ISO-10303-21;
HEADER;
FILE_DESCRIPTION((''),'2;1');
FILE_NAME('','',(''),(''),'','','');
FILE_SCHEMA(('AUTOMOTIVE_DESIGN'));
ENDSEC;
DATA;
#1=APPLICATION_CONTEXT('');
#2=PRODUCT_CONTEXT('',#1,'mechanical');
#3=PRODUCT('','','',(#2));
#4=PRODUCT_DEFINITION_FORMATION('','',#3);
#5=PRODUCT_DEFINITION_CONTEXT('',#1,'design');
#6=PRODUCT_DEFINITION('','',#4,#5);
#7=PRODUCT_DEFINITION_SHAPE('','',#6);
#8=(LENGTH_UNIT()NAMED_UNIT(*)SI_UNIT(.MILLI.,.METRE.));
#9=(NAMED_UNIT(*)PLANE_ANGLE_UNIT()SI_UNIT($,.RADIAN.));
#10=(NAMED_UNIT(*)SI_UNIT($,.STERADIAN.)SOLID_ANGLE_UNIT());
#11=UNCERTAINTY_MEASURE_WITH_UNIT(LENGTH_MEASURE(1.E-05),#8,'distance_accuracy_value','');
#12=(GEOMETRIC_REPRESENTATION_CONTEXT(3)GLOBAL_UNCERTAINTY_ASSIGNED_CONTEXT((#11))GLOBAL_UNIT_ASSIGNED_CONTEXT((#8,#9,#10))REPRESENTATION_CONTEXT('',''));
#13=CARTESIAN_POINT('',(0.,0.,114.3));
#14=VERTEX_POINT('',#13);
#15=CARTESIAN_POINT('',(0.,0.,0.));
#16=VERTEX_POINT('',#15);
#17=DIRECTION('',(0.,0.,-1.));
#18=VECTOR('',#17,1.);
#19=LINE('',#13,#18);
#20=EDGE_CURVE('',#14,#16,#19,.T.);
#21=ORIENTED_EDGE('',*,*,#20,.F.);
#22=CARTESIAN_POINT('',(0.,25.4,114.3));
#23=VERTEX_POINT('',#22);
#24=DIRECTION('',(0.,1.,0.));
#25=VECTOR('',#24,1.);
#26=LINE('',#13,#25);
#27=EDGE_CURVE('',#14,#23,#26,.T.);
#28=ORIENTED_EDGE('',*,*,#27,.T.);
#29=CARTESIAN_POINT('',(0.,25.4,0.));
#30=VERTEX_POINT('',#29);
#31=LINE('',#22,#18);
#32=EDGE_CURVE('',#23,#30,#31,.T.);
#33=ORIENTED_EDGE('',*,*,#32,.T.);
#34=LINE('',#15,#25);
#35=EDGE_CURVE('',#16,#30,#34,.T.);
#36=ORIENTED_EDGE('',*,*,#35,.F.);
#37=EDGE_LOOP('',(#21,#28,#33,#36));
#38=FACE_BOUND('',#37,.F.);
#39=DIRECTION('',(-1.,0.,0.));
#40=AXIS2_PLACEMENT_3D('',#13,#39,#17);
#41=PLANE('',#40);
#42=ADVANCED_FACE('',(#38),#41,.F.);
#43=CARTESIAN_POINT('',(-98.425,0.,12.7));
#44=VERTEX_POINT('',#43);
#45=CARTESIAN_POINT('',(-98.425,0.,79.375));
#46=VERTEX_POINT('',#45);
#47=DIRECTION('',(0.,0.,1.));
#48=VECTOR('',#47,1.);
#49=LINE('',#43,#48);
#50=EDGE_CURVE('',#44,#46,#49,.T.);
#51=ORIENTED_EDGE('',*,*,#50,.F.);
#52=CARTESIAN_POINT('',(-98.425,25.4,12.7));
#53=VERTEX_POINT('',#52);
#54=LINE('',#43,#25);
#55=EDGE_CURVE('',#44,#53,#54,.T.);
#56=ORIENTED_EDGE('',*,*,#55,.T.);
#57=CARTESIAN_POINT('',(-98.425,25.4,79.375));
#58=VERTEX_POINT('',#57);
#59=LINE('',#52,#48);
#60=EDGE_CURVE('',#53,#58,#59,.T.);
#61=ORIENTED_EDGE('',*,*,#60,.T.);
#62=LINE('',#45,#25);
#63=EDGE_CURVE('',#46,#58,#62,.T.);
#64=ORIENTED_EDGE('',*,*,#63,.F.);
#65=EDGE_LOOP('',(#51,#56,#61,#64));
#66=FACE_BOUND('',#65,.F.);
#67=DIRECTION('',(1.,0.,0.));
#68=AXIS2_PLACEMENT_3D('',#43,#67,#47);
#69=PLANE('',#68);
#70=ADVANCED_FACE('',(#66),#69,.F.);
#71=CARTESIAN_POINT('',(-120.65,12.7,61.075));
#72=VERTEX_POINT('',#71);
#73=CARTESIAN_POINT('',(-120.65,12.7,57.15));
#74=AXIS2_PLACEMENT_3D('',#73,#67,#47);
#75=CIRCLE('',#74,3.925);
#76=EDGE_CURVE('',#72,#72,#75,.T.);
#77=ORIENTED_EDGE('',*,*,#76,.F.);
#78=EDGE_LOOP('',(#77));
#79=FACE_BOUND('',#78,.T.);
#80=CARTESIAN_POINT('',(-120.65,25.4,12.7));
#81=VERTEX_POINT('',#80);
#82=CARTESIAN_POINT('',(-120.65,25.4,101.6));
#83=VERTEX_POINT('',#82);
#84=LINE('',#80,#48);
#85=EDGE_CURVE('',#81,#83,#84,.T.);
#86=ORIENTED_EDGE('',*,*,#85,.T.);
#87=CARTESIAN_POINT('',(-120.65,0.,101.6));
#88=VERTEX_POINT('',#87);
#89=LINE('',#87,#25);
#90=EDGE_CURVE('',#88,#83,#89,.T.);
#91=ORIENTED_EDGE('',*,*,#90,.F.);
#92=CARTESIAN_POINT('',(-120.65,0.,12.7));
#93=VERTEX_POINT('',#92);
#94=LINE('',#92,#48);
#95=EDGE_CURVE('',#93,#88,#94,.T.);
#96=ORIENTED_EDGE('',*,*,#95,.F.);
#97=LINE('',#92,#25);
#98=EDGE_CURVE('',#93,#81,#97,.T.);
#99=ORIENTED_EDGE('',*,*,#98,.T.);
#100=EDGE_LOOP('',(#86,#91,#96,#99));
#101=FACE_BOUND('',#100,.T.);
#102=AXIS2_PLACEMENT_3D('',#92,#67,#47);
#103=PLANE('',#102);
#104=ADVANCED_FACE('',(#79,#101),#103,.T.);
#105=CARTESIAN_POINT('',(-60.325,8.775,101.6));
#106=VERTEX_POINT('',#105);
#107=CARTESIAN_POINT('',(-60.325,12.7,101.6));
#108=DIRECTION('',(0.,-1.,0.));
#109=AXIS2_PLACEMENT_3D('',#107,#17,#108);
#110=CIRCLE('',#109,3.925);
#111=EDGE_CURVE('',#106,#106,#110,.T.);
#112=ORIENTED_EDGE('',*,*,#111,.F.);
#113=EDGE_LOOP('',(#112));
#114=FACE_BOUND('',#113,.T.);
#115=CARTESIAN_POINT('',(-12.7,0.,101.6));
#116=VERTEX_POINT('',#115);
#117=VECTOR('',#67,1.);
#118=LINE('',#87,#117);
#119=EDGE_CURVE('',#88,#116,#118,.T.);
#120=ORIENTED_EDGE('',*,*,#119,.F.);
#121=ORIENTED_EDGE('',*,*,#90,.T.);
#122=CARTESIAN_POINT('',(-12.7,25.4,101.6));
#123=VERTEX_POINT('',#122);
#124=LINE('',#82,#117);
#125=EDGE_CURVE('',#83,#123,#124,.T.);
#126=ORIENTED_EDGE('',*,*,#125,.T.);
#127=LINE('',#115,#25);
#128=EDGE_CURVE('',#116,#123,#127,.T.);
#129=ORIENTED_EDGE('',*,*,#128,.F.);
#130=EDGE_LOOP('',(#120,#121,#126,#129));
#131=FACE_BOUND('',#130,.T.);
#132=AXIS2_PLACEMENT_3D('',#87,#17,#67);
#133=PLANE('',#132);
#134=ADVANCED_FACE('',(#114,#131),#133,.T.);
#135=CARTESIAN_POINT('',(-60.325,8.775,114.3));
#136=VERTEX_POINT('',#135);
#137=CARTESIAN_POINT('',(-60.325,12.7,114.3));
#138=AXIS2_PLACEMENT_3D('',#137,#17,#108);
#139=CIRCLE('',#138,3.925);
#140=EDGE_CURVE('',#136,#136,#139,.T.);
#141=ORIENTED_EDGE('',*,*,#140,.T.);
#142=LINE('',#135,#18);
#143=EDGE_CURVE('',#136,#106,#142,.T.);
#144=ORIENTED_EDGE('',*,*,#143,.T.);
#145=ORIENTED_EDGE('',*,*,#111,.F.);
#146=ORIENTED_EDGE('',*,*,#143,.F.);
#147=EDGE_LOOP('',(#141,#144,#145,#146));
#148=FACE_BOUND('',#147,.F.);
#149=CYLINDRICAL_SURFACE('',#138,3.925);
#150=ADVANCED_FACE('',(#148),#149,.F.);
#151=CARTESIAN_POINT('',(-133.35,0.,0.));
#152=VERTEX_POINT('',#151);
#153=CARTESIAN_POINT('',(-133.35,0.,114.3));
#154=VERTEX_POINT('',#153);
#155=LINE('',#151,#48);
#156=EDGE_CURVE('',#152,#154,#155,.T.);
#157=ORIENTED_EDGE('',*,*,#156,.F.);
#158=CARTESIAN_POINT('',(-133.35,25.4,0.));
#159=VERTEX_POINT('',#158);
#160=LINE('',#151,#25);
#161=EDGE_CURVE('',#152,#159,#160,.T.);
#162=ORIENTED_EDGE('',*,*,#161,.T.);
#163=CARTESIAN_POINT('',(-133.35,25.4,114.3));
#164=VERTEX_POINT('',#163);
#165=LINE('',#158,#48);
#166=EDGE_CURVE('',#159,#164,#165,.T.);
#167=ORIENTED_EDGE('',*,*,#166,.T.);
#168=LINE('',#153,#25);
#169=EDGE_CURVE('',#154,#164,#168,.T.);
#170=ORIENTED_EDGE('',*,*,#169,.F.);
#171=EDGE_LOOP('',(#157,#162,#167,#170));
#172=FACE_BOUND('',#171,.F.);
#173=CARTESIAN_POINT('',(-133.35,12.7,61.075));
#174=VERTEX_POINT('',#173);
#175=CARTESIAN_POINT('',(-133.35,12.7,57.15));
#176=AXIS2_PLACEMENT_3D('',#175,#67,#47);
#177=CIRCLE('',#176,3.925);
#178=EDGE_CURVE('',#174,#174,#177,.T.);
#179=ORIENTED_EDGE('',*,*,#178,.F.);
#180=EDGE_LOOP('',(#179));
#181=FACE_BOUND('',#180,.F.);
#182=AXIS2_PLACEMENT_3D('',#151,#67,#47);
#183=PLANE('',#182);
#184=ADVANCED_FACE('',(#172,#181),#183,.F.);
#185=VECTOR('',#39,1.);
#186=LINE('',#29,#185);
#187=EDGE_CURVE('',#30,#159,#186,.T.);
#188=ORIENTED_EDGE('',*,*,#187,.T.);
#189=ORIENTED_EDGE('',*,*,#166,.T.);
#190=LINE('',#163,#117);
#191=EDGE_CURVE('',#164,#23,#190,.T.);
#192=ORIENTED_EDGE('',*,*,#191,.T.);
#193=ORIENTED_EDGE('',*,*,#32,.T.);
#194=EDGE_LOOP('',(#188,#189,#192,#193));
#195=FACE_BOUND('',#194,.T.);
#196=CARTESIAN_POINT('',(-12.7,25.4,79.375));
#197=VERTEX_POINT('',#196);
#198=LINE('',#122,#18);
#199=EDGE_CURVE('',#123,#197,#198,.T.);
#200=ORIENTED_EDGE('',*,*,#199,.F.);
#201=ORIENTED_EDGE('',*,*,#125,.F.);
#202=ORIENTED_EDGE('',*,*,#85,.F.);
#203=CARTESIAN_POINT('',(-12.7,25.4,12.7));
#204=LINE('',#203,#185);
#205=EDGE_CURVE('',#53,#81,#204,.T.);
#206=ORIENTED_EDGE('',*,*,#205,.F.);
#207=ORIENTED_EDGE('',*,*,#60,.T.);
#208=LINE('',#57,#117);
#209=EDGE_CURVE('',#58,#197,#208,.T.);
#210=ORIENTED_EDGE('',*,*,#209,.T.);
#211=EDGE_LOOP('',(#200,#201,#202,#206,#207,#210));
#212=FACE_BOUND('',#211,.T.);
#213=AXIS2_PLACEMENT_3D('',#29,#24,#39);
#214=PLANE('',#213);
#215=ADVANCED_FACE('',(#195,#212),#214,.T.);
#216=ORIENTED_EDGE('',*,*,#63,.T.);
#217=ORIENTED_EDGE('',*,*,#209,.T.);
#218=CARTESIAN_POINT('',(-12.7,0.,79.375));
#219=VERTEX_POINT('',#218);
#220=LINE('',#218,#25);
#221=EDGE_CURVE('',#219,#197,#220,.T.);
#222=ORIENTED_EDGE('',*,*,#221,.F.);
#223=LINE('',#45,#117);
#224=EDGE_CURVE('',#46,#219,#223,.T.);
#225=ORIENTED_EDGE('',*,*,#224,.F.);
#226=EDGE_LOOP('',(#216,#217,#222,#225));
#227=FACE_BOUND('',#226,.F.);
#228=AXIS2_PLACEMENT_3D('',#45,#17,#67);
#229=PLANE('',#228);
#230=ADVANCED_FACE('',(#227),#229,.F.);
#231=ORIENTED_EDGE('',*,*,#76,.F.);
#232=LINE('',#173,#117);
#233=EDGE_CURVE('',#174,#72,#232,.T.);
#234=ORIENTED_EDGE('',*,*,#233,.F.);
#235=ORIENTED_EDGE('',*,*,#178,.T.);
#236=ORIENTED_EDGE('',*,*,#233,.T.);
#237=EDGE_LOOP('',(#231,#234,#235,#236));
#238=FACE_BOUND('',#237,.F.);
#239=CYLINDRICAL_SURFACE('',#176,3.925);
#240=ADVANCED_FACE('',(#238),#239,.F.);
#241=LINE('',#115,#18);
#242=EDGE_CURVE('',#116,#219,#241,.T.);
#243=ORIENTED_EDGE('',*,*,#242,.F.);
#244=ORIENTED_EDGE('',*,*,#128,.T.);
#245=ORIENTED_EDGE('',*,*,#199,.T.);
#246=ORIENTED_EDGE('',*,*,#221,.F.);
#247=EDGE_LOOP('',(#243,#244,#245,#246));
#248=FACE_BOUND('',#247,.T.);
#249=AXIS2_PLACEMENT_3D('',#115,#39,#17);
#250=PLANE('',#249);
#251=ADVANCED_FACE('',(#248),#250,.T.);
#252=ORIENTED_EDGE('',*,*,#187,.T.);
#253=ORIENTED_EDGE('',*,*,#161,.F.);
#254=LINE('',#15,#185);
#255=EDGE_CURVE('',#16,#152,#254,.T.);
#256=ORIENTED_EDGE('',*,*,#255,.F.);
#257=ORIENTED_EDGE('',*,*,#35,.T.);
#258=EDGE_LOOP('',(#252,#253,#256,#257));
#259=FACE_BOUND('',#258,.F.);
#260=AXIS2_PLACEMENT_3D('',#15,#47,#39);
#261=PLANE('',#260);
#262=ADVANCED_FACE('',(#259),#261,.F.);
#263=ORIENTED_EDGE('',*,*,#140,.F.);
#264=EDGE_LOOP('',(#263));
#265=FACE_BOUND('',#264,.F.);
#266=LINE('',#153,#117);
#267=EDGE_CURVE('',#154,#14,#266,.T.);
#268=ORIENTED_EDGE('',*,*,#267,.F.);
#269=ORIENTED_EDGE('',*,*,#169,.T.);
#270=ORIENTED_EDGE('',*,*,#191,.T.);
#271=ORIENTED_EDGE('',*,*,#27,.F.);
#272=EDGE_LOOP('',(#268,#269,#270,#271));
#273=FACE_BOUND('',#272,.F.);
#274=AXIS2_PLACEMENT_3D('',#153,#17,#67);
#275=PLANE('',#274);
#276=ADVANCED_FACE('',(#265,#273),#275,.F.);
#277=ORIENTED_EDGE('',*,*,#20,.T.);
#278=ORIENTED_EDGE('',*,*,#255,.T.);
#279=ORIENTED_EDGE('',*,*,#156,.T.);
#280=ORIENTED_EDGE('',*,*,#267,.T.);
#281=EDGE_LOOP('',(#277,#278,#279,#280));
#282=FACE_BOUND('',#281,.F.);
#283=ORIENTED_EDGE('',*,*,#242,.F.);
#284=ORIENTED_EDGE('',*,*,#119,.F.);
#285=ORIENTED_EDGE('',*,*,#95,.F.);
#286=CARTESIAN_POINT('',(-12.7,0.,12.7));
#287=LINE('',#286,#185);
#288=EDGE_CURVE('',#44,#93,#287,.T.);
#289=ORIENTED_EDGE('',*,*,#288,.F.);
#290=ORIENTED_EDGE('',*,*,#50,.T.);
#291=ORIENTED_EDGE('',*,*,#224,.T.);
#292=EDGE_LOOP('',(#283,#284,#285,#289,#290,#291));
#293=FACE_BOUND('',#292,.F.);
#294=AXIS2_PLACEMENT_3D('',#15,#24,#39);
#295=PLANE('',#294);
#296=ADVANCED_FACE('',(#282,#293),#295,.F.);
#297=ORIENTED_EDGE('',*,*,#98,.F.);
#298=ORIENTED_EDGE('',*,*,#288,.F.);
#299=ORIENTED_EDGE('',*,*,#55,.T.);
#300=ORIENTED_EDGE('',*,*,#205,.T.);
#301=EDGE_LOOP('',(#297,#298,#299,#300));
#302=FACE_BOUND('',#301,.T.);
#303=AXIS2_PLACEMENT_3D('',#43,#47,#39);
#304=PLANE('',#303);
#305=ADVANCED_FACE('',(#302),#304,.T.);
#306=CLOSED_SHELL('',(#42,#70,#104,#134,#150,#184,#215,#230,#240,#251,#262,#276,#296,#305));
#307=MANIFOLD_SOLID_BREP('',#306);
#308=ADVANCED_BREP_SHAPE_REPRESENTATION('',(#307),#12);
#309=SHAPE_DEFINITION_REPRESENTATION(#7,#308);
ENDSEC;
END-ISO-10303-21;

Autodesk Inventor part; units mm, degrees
ref_plane "YZ Plane" through (0, 0, 0) normal (1, 0, 0) x (0, 1, 0)
ref_plane "XZ Plane" through (0, 0, 0) normal (0, 1, 0) x (-1, 0, 0)
ref_plane "XY Plane" through (0, 0, 0) normal (0, 0, 1) x (1, 0, 0)
sketch "Sketch1" plane through (0, 0, 0) normal (0, 1, 0) x (-1, 0, 0)
  line L0 (0, 0) -> (133.35, 0)
  line L1 (133.35, 0) -> (133.35, 114.3)
  line L2 (133.35, 114.3) -> (0, 114.3)
  line L3 (0, 114.3) -> (0, 0)
  line L4 (12.7, 12.7) -> (120.65, 12.7)
  line L5 (120.65, 12.7) -> (120.65, 101.6)
  line L6 (120.65, 101.6) -> (12.7, 101.6)
  line L7 (12.7, 101.6) -> (12.7, 12.7)
  line L8 (12.7, 12.7) -> (98.425, 12.7)
  line L9 (98.425, 12.7) -> (98.425, 79.375)
  line L10 (98.425, 79.375) -> (12.7, 79.375)
  line L11 (12.7, 79.375) -> (12.7, 12.7)
  dimension "d0" = 114.3
  dimension "d1" = 133.35
  dimension "d2" = 12.7
  dimension "d3" = 12.7
  dimension "d4" = 12.7
  dimension "d5" = 12.7
  dimension "d6" = 22.225
  dimension "d7" = 22.225
extrude "Extrusion1" add sketch "Sketch1" along normal blind 25.4 contours L3 L2 L1 L0 | L7 L10 L9 L4
sketch "Sketch3" plane through (-133.35, 0, 114.3) normal (0, 0, 1) x (1, 0, 0)
  line L0 (133.35, 0) -> (133.35, 25.4) projected
  line L1 (0, 25.4) -> (133.35, 25.4) projected
  line L2 (12.7, 0) -> (12.7, 25.4) projected
  point P0 (73.025, 12.7)
  dimension "d10" = 120.65
  dimension "d11" = 25.4
  dimension "d12" = 60.325
  dimension "d13" = 12.7
hole "Hole1" at (-60.325, 12.7, 114.3) direction (0, 0, -1) diameter 7.85 depth 12.7
sketch "Sketch4" plane through (-133.35, 0, 0) normal (-1, 0, 0) x (0, 0, 1)
  line L0 (0, 25.4) -> (114.3, 25.4) projected
  line L1 (114.3, 0) -> (114.3, 25.4) projected
  point P0 (0, 0)
  point P1 (57.15, 12.7)
  dimension "d21" = 25.4
  dimension "d22" = 114.3
  dimension "d23" = 12.7
  dimension "d24" = 57.15
hole "Hole2" at (-133.35, 12.7, 57.15) direction (1, 0, 0) diameter 7.85 depth 12.7
equation "\"d3\" = d2"
equation "\"d4\" = d2"
equation "\"d5\" = d2"
equation "\"d6\" = d7"
equation "\"d12\" = 0.5 * d10"
equation "\"d13\" = 0.5 * d11"
equation "\"d23\" = 0.5 * d21"
equation "\"d24\" = 0.5 * d22"
properties part number "odometery system base"
